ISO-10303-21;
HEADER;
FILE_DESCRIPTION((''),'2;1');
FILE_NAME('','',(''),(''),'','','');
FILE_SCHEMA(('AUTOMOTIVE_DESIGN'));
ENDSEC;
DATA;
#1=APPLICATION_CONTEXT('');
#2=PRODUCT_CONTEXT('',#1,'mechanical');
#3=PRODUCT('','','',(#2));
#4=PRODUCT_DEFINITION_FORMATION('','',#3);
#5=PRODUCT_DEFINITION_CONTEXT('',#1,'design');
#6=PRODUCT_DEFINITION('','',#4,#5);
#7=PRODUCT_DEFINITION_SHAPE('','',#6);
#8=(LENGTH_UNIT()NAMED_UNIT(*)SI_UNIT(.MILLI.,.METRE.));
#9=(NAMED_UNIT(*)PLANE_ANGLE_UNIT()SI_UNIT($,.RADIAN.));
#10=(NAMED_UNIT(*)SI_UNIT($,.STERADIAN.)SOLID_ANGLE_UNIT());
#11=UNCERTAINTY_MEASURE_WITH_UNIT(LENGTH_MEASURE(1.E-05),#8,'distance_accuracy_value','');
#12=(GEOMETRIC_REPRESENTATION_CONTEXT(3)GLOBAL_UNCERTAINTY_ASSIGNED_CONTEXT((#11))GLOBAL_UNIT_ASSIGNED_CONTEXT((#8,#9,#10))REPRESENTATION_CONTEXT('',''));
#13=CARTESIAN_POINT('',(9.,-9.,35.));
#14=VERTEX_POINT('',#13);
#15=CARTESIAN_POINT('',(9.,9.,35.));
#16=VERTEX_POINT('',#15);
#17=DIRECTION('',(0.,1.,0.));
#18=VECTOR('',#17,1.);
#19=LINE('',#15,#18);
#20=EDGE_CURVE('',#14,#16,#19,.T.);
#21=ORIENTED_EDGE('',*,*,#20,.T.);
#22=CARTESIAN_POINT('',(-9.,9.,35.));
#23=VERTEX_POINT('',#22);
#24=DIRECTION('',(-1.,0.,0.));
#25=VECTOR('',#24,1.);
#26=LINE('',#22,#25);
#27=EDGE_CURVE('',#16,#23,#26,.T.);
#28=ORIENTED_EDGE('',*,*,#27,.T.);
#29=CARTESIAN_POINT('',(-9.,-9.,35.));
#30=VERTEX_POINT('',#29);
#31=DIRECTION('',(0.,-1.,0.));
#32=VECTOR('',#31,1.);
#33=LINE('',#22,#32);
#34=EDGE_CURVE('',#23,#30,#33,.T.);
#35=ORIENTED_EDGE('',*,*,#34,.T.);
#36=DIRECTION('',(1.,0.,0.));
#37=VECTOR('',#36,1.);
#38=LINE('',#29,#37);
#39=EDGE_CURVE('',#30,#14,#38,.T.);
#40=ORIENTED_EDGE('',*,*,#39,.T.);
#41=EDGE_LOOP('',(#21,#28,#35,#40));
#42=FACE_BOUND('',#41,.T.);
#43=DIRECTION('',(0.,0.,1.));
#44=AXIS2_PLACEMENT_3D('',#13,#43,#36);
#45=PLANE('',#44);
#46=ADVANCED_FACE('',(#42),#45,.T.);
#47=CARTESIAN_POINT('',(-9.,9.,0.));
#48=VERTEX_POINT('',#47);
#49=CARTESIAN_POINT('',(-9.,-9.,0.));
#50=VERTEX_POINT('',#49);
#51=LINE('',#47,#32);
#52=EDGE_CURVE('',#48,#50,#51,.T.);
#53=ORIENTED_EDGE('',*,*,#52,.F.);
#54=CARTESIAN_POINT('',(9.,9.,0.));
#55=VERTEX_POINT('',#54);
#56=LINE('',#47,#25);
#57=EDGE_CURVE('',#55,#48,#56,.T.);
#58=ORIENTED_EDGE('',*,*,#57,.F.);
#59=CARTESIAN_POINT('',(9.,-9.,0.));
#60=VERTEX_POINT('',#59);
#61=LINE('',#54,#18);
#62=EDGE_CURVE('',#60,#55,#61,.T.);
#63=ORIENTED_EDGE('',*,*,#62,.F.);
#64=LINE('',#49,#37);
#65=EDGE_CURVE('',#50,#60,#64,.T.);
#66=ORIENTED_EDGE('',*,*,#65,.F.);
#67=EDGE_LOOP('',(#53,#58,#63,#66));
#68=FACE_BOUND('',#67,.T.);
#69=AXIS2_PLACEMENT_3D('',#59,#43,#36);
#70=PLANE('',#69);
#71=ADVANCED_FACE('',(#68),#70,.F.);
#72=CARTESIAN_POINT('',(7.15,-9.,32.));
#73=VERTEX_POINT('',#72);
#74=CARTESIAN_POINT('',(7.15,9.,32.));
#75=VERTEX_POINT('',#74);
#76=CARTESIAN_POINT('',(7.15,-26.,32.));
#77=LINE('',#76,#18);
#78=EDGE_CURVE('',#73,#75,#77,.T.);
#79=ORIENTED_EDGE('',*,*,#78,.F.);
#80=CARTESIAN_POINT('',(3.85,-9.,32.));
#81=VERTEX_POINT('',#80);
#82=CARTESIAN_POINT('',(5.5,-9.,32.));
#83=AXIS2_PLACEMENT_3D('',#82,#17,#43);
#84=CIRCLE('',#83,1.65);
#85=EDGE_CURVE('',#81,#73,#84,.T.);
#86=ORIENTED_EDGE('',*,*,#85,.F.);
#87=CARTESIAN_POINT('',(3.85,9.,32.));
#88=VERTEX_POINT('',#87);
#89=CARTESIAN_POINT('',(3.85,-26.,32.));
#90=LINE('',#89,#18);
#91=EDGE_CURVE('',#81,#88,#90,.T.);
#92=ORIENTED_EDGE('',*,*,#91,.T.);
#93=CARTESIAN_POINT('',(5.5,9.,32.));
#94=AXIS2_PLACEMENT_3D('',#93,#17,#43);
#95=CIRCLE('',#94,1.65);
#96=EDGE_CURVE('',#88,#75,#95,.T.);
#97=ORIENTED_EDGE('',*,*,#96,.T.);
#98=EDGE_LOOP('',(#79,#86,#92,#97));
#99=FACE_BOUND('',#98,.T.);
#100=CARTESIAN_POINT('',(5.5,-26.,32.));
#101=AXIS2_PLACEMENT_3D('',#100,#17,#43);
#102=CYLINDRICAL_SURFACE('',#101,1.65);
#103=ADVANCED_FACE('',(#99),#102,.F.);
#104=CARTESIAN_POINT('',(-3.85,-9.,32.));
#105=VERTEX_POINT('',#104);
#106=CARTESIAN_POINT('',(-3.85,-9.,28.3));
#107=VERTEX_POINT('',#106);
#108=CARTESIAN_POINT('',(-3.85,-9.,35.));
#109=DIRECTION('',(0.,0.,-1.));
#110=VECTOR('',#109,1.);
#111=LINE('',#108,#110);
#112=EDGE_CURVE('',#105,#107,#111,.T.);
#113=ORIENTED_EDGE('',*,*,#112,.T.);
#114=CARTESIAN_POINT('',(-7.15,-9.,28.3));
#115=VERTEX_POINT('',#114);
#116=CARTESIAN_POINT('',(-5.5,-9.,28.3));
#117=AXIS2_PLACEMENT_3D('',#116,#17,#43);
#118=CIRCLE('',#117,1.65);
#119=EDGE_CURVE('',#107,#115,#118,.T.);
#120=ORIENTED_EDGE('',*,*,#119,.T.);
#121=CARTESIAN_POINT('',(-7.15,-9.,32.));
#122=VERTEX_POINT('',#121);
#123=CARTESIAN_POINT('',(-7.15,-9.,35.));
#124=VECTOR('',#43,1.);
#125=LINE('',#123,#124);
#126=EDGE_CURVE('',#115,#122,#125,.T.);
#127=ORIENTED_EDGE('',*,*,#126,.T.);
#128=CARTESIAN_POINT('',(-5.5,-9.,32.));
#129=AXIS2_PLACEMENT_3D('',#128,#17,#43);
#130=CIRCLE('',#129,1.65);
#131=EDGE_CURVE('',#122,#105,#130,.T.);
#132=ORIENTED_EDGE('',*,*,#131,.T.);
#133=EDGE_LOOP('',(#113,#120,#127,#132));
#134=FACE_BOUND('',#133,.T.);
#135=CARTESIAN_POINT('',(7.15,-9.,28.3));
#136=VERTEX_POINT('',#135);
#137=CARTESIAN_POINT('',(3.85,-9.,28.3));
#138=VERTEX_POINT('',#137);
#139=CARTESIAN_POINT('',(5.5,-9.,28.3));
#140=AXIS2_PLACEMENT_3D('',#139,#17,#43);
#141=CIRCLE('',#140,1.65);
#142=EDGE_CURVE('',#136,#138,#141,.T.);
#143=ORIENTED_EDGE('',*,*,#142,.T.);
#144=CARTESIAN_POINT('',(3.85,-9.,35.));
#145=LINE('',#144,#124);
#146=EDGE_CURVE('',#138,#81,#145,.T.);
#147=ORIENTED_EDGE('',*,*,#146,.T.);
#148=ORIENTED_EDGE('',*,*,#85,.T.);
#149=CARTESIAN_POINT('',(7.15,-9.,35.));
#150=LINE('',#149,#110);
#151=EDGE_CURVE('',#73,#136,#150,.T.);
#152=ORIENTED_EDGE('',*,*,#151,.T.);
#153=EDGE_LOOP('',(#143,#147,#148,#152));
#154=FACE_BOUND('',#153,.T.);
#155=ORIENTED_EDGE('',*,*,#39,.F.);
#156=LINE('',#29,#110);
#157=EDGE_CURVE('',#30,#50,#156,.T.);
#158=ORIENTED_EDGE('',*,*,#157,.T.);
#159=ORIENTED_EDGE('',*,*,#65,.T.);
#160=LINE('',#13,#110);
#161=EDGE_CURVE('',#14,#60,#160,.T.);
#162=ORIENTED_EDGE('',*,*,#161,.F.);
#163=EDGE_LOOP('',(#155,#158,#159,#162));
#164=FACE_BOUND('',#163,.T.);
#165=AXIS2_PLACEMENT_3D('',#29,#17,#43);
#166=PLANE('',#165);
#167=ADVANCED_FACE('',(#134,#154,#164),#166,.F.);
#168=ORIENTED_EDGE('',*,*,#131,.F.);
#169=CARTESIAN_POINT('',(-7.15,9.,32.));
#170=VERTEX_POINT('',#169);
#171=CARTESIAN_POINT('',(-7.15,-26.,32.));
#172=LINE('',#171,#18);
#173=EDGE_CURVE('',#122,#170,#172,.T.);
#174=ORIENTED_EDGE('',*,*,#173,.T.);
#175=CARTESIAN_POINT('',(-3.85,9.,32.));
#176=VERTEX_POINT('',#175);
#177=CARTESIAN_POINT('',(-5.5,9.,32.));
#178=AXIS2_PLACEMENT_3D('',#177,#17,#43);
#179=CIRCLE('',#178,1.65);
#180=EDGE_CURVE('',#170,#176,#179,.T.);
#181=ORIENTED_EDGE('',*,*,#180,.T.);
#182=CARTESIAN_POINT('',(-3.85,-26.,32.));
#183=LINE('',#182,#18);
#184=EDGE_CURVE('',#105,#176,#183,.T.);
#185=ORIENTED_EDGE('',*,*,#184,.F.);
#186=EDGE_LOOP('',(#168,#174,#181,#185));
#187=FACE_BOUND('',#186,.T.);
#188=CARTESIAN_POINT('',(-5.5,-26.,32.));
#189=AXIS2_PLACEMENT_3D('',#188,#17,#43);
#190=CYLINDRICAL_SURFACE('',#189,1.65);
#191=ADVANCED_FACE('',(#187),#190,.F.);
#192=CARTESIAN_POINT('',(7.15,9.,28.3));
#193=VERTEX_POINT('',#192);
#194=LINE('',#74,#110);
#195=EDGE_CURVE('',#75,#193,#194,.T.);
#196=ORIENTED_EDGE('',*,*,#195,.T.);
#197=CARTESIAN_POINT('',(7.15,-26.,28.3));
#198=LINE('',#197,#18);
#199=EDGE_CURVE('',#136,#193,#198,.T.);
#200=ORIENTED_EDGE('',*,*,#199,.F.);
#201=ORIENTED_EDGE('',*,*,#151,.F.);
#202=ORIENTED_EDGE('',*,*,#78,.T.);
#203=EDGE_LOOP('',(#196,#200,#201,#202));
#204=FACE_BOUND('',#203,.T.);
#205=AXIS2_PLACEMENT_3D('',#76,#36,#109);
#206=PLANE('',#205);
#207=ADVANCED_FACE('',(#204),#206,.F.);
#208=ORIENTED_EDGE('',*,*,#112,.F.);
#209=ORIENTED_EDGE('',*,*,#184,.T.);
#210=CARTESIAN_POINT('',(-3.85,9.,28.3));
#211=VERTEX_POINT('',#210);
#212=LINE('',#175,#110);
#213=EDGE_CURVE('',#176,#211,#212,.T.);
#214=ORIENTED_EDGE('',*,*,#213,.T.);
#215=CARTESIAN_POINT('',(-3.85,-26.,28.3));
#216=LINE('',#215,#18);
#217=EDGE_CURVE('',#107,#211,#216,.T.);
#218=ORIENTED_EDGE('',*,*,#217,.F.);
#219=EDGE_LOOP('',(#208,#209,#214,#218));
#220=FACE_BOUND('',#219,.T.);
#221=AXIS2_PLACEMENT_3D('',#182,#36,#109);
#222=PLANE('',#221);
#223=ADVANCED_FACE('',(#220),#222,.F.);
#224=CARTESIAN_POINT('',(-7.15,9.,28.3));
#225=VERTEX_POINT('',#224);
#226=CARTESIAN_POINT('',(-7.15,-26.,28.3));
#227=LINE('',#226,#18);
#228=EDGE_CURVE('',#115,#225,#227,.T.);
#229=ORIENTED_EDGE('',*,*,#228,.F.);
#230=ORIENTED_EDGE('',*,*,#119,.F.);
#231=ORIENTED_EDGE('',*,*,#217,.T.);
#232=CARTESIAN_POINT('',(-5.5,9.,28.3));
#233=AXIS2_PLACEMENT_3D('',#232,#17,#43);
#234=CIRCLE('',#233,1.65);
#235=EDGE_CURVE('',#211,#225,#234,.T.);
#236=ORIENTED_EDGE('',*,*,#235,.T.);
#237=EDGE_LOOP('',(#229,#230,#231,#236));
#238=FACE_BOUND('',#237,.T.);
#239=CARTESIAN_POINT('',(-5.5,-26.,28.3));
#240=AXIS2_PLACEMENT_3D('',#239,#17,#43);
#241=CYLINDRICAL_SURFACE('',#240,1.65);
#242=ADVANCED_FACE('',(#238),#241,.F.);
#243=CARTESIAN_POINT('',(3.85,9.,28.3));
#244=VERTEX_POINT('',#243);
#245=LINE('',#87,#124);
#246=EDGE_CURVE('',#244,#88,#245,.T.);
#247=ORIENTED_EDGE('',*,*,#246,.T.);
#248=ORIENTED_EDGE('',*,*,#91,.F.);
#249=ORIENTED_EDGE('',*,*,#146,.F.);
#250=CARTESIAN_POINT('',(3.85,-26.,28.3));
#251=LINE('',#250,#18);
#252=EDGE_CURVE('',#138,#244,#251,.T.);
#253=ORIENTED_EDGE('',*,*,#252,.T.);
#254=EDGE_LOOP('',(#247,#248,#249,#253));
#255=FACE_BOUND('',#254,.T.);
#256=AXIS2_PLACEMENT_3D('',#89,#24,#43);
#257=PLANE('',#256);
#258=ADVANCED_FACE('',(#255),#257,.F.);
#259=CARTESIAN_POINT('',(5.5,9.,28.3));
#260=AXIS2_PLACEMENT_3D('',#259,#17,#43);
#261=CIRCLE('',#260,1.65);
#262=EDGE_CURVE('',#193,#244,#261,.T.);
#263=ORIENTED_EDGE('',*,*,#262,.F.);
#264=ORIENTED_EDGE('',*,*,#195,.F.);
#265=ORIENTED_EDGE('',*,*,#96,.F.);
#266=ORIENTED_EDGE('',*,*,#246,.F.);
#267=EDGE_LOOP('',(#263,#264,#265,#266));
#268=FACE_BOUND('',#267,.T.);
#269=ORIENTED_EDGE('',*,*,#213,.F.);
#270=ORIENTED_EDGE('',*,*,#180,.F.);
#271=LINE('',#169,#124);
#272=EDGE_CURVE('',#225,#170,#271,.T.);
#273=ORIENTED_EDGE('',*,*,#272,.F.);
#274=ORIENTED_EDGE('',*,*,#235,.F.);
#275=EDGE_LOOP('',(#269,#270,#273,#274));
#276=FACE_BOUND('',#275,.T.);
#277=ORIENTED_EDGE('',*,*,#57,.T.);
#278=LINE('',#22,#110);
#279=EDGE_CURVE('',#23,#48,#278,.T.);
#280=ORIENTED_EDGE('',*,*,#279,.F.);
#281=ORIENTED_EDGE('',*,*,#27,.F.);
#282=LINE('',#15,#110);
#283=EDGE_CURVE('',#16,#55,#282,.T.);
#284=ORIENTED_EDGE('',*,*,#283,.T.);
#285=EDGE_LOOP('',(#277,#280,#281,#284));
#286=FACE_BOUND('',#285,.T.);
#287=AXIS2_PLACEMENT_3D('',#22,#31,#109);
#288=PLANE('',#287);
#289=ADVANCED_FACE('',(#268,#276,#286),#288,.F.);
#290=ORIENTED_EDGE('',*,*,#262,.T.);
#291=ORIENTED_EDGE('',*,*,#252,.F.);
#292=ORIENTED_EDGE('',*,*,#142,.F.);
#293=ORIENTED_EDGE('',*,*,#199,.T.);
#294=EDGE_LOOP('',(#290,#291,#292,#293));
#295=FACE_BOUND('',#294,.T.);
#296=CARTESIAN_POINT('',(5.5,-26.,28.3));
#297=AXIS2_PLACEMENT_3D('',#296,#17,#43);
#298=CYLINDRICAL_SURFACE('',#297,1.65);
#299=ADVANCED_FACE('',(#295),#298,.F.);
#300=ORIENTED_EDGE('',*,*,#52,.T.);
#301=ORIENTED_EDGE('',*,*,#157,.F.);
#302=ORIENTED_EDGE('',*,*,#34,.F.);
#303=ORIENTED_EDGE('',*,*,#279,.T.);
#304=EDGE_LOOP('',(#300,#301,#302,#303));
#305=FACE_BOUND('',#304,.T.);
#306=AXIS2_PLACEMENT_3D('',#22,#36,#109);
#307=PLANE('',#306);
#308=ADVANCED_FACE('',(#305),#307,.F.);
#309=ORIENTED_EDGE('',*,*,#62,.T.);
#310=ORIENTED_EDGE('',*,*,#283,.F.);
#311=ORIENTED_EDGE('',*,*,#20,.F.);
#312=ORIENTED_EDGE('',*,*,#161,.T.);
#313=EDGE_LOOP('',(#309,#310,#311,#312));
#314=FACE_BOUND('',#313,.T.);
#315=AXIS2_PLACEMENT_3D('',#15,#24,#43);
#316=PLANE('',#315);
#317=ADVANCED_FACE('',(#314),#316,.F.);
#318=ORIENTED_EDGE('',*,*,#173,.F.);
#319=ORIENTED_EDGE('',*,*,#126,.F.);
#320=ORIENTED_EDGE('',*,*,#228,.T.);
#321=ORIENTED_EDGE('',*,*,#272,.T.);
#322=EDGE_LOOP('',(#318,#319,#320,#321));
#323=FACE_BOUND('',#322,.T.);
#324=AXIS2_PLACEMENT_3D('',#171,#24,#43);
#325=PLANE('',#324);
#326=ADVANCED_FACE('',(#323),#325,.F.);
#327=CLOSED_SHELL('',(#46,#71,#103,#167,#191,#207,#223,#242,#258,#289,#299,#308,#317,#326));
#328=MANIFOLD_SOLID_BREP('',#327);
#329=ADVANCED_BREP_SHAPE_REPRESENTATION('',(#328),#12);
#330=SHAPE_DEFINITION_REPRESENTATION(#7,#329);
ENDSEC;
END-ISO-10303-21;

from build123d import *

# Parameters (mm, degrees)
SKETCH_1_W          = 18
SKETCH_1_H          = 18
EXTRUDE_1_DEPTH     = 35
CUT_EXTRUDE_2_DEPTH = 35


with BuildPart() as part:
    # 草图1 → 拉伸1 (new body)
    with BuildSketch(Plane.XY):
        Rectangle(SKETCH_1_W, SKETCH_1_H)
    extrude(amount=EXTRUDE_1_DEPTH)

    # 草图2 → 拉伸2 (cut)
    with BuildSketch(Plane(origin=(0, 9, 0), x_dir=(1, 0, 0), z_dir=(0, 1, 0))):
        with BuildLine():
            Line((3.85, -32), (3.85, -28.3))
            ThreePointArc((3.85, -28.3), (5.5, -26.65), (7.15, -28.3))
            Line((7.15, -28.3), (7.15, -32))
            ThreePointArc((7.15, -32), (5.5, -33.65), (3.85, -32))
        make_face()
        with BuildLine():
            Line((-7.15, -32), (-7.15, -28.3))
            ThreePointArc((-7.15, -28.3), (-5.5, -26.65), (-3.85, -28.3))
            Line((-3.85, -28.3), (-3.85, -32))
            ThreePointArc((-3.85, -32), (-5.5, -33.65), (-7.15, -32))
        make_face()
    extrude(amount=-CUT_EXTRUDE_2_DEPTH, mode=Mode.SUBTRACT)


solid = part.part
